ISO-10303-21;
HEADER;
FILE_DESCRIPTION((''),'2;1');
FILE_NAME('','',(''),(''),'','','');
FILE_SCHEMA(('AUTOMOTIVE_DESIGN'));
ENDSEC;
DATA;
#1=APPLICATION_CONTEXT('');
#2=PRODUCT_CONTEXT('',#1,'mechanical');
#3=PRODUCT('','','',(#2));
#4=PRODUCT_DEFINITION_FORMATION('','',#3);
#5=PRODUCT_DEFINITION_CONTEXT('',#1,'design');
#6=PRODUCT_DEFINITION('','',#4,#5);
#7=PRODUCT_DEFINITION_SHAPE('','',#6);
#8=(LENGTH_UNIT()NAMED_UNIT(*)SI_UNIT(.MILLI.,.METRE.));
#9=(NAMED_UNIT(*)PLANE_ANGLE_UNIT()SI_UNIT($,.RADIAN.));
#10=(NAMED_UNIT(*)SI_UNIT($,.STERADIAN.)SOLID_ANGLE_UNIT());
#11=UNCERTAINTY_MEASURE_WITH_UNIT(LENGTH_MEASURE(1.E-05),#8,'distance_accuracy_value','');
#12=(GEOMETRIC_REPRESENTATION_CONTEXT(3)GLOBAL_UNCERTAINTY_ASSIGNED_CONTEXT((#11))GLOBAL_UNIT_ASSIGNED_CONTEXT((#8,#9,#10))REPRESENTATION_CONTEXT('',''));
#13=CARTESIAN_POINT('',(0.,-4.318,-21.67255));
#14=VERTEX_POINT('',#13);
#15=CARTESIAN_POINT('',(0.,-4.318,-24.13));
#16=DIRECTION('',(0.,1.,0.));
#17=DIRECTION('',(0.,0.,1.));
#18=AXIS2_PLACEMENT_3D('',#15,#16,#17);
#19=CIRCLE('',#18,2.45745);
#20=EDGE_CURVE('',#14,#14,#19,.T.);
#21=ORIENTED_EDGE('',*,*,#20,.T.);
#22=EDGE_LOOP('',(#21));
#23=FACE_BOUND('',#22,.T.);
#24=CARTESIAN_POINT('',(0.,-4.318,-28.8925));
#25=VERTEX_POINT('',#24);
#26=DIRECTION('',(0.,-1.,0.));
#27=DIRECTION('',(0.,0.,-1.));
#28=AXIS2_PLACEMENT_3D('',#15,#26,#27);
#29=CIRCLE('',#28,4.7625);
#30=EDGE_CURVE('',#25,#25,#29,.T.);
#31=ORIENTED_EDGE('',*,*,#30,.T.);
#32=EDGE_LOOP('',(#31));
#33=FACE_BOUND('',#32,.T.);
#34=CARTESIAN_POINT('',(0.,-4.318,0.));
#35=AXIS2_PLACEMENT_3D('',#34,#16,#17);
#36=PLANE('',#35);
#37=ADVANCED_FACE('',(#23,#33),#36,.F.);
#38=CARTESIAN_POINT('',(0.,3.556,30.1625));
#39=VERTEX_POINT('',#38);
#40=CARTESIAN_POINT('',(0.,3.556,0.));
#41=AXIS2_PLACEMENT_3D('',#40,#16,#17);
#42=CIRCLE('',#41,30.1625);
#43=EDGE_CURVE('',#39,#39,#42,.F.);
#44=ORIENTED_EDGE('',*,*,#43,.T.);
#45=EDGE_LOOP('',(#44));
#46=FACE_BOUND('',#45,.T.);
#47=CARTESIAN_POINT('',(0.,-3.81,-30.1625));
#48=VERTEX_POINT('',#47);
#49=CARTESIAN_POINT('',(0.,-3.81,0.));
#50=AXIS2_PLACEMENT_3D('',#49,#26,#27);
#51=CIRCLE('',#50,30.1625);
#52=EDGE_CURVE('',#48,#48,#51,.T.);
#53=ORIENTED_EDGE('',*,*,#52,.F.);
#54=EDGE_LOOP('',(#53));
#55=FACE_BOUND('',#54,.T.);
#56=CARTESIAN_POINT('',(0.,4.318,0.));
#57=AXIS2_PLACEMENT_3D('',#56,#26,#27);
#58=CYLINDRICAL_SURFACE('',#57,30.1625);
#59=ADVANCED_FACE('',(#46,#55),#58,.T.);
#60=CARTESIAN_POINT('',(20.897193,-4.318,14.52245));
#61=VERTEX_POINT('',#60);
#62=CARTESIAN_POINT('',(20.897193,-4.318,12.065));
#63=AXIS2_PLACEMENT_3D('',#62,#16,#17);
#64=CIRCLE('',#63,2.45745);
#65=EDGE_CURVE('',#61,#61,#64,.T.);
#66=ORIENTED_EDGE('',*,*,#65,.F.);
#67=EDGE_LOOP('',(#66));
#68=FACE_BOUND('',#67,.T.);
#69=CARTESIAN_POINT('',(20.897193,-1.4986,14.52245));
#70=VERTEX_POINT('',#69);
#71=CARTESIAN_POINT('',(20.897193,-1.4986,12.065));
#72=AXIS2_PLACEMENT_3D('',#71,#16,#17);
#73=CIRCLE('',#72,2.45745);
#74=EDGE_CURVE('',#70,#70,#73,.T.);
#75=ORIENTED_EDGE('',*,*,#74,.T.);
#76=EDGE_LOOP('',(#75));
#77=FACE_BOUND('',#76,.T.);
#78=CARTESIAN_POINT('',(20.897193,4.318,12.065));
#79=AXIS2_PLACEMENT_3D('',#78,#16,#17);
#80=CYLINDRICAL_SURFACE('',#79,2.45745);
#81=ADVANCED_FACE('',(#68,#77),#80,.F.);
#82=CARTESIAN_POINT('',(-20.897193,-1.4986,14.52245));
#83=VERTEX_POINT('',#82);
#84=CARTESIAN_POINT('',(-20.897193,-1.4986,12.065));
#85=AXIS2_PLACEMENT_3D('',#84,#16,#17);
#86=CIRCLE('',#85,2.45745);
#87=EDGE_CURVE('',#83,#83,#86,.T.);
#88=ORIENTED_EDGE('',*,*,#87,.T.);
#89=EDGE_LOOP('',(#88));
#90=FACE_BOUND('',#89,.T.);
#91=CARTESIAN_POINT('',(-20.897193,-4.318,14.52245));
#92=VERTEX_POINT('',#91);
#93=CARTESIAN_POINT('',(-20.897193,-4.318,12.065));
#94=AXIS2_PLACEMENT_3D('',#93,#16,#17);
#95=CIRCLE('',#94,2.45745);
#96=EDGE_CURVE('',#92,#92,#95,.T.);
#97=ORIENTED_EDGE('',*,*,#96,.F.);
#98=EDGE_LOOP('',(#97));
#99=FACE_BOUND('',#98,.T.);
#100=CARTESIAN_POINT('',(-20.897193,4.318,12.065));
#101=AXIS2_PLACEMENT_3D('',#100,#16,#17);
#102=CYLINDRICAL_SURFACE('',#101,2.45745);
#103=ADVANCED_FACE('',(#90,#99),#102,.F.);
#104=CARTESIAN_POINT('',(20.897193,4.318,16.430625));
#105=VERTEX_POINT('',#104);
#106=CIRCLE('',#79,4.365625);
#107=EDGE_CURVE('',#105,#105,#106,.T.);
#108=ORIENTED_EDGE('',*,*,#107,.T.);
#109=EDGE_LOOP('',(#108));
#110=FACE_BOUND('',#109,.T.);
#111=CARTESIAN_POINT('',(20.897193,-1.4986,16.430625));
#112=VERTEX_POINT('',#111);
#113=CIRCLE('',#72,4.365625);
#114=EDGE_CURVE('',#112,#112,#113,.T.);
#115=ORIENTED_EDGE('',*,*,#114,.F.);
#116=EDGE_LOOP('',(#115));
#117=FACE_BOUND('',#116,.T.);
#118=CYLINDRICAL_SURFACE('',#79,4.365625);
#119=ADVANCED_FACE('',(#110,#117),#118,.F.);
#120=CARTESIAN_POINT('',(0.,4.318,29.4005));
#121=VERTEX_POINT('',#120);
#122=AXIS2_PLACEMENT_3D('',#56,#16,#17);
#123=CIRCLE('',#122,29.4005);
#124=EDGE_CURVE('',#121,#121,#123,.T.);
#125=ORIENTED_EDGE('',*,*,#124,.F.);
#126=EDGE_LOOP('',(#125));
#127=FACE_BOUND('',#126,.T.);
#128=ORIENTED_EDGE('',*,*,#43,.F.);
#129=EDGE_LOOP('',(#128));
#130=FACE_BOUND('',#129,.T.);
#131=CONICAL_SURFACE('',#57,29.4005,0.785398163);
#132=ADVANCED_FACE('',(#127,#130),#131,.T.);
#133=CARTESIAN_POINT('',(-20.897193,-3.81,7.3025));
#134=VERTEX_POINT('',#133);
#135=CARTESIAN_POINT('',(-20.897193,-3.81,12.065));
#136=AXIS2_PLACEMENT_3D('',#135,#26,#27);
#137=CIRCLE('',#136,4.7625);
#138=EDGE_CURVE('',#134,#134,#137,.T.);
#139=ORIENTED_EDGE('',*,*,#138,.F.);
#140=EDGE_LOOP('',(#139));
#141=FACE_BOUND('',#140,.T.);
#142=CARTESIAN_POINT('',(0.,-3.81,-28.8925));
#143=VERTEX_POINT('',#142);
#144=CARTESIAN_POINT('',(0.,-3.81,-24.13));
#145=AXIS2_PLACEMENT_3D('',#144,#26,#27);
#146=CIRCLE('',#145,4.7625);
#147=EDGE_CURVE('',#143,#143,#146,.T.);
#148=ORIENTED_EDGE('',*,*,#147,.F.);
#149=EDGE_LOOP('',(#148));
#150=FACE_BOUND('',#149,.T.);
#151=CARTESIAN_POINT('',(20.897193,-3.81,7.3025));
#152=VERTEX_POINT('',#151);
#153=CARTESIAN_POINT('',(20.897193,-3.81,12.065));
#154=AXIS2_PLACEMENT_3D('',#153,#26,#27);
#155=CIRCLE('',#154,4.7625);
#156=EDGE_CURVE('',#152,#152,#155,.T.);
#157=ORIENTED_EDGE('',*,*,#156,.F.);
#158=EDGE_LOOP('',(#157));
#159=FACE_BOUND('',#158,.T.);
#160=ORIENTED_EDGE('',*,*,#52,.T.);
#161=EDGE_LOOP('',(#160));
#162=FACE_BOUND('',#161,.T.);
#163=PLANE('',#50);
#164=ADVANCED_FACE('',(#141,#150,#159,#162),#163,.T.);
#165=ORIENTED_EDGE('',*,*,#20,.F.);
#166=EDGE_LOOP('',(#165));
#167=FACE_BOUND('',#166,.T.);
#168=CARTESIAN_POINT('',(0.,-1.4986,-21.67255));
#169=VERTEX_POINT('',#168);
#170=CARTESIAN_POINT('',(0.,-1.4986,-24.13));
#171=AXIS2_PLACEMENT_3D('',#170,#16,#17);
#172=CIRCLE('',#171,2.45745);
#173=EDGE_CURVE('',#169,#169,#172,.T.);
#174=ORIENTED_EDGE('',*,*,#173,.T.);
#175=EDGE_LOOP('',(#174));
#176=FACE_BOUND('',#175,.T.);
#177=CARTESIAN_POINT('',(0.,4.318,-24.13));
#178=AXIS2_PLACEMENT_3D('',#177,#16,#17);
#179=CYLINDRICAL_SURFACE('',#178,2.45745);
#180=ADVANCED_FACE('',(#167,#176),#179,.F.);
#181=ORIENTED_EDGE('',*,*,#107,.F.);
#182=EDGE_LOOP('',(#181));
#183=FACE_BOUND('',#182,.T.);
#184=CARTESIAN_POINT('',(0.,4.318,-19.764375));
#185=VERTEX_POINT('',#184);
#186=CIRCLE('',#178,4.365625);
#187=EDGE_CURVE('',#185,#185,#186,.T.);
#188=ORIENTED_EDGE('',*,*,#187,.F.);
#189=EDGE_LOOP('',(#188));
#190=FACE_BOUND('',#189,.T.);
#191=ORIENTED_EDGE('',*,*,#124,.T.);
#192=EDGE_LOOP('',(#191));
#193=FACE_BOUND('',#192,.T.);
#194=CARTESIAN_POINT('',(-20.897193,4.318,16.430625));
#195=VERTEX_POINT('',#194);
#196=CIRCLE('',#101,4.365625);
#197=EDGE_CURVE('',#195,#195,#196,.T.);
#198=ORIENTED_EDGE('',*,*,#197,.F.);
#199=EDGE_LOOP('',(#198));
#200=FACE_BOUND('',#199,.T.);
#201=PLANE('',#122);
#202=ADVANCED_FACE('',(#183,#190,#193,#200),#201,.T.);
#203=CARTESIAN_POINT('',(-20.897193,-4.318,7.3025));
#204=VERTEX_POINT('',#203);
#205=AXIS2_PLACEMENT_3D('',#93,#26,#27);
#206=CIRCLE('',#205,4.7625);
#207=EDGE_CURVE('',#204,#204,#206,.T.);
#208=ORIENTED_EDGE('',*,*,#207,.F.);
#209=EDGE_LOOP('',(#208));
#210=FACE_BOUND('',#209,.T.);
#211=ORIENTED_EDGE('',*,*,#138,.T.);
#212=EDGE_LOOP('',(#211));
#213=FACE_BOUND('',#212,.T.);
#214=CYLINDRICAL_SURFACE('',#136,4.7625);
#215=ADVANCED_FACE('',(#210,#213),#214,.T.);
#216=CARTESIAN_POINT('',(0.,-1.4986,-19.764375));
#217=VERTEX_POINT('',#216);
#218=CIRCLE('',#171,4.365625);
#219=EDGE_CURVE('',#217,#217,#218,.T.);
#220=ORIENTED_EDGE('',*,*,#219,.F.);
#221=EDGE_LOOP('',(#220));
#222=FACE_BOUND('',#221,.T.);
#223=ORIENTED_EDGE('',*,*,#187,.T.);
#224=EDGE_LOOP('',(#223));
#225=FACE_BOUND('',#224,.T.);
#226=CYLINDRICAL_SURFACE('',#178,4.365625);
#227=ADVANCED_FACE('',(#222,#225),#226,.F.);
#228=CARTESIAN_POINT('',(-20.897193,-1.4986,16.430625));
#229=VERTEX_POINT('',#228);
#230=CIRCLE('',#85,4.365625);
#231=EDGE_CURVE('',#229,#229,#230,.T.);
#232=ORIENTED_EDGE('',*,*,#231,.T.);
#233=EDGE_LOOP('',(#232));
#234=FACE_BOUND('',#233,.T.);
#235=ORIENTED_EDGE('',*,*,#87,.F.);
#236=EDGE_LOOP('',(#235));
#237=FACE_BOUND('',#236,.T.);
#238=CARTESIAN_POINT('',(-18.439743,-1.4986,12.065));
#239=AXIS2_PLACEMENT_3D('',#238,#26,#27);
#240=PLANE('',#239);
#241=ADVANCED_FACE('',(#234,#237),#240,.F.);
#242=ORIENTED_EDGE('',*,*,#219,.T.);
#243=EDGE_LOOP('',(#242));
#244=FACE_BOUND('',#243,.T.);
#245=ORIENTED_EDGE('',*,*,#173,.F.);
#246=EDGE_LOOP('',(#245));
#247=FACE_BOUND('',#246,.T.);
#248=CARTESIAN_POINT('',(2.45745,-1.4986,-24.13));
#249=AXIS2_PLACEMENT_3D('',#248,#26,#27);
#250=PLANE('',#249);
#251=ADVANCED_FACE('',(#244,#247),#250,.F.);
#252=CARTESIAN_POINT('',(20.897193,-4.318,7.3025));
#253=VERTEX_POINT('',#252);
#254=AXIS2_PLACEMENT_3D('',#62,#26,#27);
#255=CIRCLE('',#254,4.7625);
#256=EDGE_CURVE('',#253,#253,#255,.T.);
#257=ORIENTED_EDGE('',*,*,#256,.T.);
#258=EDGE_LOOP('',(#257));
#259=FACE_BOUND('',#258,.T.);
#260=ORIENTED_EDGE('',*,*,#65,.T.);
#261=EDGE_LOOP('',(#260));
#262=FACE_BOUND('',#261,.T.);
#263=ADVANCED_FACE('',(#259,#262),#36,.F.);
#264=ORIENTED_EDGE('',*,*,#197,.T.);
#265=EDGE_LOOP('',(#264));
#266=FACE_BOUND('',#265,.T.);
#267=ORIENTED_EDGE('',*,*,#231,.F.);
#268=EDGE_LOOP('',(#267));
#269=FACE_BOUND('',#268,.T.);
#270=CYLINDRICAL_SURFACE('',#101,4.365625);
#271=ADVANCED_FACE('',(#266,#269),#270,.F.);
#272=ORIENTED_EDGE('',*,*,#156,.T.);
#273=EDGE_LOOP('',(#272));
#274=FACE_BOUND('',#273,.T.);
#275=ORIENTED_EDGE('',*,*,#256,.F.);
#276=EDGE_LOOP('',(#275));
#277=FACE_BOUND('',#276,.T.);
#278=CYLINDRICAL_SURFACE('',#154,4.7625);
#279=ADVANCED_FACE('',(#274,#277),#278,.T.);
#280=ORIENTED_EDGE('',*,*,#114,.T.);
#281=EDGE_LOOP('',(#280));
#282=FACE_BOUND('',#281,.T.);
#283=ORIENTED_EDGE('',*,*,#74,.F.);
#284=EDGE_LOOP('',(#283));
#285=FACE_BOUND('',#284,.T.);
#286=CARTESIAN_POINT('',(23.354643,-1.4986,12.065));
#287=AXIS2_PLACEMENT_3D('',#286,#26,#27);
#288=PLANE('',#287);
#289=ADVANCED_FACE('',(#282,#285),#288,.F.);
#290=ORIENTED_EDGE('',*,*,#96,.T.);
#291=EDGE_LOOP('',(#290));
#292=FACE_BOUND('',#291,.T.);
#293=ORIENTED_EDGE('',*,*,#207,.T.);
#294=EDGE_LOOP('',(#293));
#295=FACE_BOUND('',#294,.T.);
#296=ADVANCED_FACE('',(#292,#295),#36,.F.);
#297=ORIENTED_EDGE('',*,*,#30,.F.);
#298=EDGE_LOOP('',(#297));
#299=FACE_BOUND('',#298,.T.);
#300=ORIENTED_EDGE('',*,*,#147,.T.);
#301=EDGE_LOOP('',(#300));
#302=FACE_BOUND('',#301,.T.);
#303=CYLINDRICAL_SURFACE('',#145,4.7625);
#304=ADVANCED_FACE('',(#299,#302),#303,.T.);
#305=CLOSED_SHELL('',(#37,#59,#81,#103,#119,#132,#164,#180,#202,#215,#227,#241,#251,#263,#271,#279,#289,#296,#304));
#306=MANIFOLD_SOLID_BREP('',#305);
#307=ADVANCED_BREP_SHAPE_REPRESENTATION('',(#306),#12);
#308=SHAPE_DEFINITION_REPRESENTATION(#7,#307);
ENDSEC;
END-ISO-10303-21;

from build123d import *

# Parameters (mm, degrees)
SKETCH1_R                                      = 30.1625
EXTRUDE1_DEPTH                                 = 4.318
CBORE_FOR_8_SOCKET_HEAD_CAP_SCREW1_D           = 4.9149
CBORE_FOR_8_SOCKET_HEAD_CAP_SCREW1_CBORE_D     = 8.73125
CBORE_FOR_8_SOCKET_HEAD_CAP_SCREW1_CBORE_DEPTH = 5.8166
CIRPATTERN1_COUNT                              = 3
SKETCH5_R                                      = 30.1625
SKETCH5_R_2                                    = 4.7625
CUT_EXTRUDE1_DEPTH                             = 0.508
CHAMFER1_SIZE                                  = 0.762


with BuildPart() as part:
    # Sketch1 → Extrude1 (new body, symmetric)
    with BuildSketch(Plane(origin=(0, 0, 0), x_dir=(1, 0, 0), z_dir=(0, 1, 0))):
        with Locations(Location((0, 0, 0), (0, 0, 270))):  # turned: the seam where the file's is
            Circle(SKETCH1_R)
    extrude(amount=EXTRUDE1_DEPTH, both=True)

    # CBORE for _8 Socket Head Cap Screw1 (through all)
    with Locations(Plane(origin=(0, 4.318, 0), x_dir=(-1, 0, 0), z_dir=(0, 1, 0))):
        with Locations((0, -24.13)):
            cbore_for_8_socket_head_cap_screw1 = CounterBoreHole(CBORE_FOR_8_SOCKET_HEAD_CAP_SCREW1_D / 2, CBORE_FOR_8_SOCKET_HEAD_CAP_SCREW1_CBORE_D / 2, CBORE_FOR_8_SOCKET_HEAD_CAP_SCREW1_CBORE_DEPTH)

    # CirPattern1: CBORE for _8 Socket Head Cap Screw1 ×3 about axis
    cirpattern1_axis = Axis((0, 0, 0), (0, 1, 0))
    for i in range(1, CIRPATTERN1_COUNT):
        add(cbore_for_8_socket_head_cap_screw1.rotate(cirpattern1_axis, i * 360 / CIRPATTERN1_COUNT), mode=Mode.SUBTRACT)

    # Sketch5 → Cut-Extrude1 (cut)
    with BuildSketch(Plane.XZ.offset(4.318)):
        with Locations(Location((0, 0, 0), (0, 0, 270))):  # turned: the seam where the file's is
            Circle(SKETCH5_R)
        with Locations(Location((-20.897192993, 12.065, 0), (0, 0, 270))):  # turned: the seam where the file's is
            Circle(SKETCH5_R_2, mode=Mode.SUBTRACT)
        with Locations(Location((0, -24.13, 0), (0, 0, 270))):  # turned: the seam where the file's is
            Circle(SKETCH5_R_2, mode=Mode.SUBTRACT)
        with Locations(Location((20.897192993, 12.065, 0), (0, 0, 270))):  # turned: the seam where the file's is
            Circle(SKETCH5_R_2, mode=Mode.SUBTRACT)
    extrude(amount=-CUT_EXTRUDE1_DEPTH, mode=Mode.SUBTRACT)

    # Chamfer1
    chamfer1_edges = [part.edges().sort_by_distance(p)[0] for p in [
        (0, 4.318, -30.1625),
    ]]
    chamfer(chamfer1_edges, length=CHAMFER1_SIZE)


solid = part.part
